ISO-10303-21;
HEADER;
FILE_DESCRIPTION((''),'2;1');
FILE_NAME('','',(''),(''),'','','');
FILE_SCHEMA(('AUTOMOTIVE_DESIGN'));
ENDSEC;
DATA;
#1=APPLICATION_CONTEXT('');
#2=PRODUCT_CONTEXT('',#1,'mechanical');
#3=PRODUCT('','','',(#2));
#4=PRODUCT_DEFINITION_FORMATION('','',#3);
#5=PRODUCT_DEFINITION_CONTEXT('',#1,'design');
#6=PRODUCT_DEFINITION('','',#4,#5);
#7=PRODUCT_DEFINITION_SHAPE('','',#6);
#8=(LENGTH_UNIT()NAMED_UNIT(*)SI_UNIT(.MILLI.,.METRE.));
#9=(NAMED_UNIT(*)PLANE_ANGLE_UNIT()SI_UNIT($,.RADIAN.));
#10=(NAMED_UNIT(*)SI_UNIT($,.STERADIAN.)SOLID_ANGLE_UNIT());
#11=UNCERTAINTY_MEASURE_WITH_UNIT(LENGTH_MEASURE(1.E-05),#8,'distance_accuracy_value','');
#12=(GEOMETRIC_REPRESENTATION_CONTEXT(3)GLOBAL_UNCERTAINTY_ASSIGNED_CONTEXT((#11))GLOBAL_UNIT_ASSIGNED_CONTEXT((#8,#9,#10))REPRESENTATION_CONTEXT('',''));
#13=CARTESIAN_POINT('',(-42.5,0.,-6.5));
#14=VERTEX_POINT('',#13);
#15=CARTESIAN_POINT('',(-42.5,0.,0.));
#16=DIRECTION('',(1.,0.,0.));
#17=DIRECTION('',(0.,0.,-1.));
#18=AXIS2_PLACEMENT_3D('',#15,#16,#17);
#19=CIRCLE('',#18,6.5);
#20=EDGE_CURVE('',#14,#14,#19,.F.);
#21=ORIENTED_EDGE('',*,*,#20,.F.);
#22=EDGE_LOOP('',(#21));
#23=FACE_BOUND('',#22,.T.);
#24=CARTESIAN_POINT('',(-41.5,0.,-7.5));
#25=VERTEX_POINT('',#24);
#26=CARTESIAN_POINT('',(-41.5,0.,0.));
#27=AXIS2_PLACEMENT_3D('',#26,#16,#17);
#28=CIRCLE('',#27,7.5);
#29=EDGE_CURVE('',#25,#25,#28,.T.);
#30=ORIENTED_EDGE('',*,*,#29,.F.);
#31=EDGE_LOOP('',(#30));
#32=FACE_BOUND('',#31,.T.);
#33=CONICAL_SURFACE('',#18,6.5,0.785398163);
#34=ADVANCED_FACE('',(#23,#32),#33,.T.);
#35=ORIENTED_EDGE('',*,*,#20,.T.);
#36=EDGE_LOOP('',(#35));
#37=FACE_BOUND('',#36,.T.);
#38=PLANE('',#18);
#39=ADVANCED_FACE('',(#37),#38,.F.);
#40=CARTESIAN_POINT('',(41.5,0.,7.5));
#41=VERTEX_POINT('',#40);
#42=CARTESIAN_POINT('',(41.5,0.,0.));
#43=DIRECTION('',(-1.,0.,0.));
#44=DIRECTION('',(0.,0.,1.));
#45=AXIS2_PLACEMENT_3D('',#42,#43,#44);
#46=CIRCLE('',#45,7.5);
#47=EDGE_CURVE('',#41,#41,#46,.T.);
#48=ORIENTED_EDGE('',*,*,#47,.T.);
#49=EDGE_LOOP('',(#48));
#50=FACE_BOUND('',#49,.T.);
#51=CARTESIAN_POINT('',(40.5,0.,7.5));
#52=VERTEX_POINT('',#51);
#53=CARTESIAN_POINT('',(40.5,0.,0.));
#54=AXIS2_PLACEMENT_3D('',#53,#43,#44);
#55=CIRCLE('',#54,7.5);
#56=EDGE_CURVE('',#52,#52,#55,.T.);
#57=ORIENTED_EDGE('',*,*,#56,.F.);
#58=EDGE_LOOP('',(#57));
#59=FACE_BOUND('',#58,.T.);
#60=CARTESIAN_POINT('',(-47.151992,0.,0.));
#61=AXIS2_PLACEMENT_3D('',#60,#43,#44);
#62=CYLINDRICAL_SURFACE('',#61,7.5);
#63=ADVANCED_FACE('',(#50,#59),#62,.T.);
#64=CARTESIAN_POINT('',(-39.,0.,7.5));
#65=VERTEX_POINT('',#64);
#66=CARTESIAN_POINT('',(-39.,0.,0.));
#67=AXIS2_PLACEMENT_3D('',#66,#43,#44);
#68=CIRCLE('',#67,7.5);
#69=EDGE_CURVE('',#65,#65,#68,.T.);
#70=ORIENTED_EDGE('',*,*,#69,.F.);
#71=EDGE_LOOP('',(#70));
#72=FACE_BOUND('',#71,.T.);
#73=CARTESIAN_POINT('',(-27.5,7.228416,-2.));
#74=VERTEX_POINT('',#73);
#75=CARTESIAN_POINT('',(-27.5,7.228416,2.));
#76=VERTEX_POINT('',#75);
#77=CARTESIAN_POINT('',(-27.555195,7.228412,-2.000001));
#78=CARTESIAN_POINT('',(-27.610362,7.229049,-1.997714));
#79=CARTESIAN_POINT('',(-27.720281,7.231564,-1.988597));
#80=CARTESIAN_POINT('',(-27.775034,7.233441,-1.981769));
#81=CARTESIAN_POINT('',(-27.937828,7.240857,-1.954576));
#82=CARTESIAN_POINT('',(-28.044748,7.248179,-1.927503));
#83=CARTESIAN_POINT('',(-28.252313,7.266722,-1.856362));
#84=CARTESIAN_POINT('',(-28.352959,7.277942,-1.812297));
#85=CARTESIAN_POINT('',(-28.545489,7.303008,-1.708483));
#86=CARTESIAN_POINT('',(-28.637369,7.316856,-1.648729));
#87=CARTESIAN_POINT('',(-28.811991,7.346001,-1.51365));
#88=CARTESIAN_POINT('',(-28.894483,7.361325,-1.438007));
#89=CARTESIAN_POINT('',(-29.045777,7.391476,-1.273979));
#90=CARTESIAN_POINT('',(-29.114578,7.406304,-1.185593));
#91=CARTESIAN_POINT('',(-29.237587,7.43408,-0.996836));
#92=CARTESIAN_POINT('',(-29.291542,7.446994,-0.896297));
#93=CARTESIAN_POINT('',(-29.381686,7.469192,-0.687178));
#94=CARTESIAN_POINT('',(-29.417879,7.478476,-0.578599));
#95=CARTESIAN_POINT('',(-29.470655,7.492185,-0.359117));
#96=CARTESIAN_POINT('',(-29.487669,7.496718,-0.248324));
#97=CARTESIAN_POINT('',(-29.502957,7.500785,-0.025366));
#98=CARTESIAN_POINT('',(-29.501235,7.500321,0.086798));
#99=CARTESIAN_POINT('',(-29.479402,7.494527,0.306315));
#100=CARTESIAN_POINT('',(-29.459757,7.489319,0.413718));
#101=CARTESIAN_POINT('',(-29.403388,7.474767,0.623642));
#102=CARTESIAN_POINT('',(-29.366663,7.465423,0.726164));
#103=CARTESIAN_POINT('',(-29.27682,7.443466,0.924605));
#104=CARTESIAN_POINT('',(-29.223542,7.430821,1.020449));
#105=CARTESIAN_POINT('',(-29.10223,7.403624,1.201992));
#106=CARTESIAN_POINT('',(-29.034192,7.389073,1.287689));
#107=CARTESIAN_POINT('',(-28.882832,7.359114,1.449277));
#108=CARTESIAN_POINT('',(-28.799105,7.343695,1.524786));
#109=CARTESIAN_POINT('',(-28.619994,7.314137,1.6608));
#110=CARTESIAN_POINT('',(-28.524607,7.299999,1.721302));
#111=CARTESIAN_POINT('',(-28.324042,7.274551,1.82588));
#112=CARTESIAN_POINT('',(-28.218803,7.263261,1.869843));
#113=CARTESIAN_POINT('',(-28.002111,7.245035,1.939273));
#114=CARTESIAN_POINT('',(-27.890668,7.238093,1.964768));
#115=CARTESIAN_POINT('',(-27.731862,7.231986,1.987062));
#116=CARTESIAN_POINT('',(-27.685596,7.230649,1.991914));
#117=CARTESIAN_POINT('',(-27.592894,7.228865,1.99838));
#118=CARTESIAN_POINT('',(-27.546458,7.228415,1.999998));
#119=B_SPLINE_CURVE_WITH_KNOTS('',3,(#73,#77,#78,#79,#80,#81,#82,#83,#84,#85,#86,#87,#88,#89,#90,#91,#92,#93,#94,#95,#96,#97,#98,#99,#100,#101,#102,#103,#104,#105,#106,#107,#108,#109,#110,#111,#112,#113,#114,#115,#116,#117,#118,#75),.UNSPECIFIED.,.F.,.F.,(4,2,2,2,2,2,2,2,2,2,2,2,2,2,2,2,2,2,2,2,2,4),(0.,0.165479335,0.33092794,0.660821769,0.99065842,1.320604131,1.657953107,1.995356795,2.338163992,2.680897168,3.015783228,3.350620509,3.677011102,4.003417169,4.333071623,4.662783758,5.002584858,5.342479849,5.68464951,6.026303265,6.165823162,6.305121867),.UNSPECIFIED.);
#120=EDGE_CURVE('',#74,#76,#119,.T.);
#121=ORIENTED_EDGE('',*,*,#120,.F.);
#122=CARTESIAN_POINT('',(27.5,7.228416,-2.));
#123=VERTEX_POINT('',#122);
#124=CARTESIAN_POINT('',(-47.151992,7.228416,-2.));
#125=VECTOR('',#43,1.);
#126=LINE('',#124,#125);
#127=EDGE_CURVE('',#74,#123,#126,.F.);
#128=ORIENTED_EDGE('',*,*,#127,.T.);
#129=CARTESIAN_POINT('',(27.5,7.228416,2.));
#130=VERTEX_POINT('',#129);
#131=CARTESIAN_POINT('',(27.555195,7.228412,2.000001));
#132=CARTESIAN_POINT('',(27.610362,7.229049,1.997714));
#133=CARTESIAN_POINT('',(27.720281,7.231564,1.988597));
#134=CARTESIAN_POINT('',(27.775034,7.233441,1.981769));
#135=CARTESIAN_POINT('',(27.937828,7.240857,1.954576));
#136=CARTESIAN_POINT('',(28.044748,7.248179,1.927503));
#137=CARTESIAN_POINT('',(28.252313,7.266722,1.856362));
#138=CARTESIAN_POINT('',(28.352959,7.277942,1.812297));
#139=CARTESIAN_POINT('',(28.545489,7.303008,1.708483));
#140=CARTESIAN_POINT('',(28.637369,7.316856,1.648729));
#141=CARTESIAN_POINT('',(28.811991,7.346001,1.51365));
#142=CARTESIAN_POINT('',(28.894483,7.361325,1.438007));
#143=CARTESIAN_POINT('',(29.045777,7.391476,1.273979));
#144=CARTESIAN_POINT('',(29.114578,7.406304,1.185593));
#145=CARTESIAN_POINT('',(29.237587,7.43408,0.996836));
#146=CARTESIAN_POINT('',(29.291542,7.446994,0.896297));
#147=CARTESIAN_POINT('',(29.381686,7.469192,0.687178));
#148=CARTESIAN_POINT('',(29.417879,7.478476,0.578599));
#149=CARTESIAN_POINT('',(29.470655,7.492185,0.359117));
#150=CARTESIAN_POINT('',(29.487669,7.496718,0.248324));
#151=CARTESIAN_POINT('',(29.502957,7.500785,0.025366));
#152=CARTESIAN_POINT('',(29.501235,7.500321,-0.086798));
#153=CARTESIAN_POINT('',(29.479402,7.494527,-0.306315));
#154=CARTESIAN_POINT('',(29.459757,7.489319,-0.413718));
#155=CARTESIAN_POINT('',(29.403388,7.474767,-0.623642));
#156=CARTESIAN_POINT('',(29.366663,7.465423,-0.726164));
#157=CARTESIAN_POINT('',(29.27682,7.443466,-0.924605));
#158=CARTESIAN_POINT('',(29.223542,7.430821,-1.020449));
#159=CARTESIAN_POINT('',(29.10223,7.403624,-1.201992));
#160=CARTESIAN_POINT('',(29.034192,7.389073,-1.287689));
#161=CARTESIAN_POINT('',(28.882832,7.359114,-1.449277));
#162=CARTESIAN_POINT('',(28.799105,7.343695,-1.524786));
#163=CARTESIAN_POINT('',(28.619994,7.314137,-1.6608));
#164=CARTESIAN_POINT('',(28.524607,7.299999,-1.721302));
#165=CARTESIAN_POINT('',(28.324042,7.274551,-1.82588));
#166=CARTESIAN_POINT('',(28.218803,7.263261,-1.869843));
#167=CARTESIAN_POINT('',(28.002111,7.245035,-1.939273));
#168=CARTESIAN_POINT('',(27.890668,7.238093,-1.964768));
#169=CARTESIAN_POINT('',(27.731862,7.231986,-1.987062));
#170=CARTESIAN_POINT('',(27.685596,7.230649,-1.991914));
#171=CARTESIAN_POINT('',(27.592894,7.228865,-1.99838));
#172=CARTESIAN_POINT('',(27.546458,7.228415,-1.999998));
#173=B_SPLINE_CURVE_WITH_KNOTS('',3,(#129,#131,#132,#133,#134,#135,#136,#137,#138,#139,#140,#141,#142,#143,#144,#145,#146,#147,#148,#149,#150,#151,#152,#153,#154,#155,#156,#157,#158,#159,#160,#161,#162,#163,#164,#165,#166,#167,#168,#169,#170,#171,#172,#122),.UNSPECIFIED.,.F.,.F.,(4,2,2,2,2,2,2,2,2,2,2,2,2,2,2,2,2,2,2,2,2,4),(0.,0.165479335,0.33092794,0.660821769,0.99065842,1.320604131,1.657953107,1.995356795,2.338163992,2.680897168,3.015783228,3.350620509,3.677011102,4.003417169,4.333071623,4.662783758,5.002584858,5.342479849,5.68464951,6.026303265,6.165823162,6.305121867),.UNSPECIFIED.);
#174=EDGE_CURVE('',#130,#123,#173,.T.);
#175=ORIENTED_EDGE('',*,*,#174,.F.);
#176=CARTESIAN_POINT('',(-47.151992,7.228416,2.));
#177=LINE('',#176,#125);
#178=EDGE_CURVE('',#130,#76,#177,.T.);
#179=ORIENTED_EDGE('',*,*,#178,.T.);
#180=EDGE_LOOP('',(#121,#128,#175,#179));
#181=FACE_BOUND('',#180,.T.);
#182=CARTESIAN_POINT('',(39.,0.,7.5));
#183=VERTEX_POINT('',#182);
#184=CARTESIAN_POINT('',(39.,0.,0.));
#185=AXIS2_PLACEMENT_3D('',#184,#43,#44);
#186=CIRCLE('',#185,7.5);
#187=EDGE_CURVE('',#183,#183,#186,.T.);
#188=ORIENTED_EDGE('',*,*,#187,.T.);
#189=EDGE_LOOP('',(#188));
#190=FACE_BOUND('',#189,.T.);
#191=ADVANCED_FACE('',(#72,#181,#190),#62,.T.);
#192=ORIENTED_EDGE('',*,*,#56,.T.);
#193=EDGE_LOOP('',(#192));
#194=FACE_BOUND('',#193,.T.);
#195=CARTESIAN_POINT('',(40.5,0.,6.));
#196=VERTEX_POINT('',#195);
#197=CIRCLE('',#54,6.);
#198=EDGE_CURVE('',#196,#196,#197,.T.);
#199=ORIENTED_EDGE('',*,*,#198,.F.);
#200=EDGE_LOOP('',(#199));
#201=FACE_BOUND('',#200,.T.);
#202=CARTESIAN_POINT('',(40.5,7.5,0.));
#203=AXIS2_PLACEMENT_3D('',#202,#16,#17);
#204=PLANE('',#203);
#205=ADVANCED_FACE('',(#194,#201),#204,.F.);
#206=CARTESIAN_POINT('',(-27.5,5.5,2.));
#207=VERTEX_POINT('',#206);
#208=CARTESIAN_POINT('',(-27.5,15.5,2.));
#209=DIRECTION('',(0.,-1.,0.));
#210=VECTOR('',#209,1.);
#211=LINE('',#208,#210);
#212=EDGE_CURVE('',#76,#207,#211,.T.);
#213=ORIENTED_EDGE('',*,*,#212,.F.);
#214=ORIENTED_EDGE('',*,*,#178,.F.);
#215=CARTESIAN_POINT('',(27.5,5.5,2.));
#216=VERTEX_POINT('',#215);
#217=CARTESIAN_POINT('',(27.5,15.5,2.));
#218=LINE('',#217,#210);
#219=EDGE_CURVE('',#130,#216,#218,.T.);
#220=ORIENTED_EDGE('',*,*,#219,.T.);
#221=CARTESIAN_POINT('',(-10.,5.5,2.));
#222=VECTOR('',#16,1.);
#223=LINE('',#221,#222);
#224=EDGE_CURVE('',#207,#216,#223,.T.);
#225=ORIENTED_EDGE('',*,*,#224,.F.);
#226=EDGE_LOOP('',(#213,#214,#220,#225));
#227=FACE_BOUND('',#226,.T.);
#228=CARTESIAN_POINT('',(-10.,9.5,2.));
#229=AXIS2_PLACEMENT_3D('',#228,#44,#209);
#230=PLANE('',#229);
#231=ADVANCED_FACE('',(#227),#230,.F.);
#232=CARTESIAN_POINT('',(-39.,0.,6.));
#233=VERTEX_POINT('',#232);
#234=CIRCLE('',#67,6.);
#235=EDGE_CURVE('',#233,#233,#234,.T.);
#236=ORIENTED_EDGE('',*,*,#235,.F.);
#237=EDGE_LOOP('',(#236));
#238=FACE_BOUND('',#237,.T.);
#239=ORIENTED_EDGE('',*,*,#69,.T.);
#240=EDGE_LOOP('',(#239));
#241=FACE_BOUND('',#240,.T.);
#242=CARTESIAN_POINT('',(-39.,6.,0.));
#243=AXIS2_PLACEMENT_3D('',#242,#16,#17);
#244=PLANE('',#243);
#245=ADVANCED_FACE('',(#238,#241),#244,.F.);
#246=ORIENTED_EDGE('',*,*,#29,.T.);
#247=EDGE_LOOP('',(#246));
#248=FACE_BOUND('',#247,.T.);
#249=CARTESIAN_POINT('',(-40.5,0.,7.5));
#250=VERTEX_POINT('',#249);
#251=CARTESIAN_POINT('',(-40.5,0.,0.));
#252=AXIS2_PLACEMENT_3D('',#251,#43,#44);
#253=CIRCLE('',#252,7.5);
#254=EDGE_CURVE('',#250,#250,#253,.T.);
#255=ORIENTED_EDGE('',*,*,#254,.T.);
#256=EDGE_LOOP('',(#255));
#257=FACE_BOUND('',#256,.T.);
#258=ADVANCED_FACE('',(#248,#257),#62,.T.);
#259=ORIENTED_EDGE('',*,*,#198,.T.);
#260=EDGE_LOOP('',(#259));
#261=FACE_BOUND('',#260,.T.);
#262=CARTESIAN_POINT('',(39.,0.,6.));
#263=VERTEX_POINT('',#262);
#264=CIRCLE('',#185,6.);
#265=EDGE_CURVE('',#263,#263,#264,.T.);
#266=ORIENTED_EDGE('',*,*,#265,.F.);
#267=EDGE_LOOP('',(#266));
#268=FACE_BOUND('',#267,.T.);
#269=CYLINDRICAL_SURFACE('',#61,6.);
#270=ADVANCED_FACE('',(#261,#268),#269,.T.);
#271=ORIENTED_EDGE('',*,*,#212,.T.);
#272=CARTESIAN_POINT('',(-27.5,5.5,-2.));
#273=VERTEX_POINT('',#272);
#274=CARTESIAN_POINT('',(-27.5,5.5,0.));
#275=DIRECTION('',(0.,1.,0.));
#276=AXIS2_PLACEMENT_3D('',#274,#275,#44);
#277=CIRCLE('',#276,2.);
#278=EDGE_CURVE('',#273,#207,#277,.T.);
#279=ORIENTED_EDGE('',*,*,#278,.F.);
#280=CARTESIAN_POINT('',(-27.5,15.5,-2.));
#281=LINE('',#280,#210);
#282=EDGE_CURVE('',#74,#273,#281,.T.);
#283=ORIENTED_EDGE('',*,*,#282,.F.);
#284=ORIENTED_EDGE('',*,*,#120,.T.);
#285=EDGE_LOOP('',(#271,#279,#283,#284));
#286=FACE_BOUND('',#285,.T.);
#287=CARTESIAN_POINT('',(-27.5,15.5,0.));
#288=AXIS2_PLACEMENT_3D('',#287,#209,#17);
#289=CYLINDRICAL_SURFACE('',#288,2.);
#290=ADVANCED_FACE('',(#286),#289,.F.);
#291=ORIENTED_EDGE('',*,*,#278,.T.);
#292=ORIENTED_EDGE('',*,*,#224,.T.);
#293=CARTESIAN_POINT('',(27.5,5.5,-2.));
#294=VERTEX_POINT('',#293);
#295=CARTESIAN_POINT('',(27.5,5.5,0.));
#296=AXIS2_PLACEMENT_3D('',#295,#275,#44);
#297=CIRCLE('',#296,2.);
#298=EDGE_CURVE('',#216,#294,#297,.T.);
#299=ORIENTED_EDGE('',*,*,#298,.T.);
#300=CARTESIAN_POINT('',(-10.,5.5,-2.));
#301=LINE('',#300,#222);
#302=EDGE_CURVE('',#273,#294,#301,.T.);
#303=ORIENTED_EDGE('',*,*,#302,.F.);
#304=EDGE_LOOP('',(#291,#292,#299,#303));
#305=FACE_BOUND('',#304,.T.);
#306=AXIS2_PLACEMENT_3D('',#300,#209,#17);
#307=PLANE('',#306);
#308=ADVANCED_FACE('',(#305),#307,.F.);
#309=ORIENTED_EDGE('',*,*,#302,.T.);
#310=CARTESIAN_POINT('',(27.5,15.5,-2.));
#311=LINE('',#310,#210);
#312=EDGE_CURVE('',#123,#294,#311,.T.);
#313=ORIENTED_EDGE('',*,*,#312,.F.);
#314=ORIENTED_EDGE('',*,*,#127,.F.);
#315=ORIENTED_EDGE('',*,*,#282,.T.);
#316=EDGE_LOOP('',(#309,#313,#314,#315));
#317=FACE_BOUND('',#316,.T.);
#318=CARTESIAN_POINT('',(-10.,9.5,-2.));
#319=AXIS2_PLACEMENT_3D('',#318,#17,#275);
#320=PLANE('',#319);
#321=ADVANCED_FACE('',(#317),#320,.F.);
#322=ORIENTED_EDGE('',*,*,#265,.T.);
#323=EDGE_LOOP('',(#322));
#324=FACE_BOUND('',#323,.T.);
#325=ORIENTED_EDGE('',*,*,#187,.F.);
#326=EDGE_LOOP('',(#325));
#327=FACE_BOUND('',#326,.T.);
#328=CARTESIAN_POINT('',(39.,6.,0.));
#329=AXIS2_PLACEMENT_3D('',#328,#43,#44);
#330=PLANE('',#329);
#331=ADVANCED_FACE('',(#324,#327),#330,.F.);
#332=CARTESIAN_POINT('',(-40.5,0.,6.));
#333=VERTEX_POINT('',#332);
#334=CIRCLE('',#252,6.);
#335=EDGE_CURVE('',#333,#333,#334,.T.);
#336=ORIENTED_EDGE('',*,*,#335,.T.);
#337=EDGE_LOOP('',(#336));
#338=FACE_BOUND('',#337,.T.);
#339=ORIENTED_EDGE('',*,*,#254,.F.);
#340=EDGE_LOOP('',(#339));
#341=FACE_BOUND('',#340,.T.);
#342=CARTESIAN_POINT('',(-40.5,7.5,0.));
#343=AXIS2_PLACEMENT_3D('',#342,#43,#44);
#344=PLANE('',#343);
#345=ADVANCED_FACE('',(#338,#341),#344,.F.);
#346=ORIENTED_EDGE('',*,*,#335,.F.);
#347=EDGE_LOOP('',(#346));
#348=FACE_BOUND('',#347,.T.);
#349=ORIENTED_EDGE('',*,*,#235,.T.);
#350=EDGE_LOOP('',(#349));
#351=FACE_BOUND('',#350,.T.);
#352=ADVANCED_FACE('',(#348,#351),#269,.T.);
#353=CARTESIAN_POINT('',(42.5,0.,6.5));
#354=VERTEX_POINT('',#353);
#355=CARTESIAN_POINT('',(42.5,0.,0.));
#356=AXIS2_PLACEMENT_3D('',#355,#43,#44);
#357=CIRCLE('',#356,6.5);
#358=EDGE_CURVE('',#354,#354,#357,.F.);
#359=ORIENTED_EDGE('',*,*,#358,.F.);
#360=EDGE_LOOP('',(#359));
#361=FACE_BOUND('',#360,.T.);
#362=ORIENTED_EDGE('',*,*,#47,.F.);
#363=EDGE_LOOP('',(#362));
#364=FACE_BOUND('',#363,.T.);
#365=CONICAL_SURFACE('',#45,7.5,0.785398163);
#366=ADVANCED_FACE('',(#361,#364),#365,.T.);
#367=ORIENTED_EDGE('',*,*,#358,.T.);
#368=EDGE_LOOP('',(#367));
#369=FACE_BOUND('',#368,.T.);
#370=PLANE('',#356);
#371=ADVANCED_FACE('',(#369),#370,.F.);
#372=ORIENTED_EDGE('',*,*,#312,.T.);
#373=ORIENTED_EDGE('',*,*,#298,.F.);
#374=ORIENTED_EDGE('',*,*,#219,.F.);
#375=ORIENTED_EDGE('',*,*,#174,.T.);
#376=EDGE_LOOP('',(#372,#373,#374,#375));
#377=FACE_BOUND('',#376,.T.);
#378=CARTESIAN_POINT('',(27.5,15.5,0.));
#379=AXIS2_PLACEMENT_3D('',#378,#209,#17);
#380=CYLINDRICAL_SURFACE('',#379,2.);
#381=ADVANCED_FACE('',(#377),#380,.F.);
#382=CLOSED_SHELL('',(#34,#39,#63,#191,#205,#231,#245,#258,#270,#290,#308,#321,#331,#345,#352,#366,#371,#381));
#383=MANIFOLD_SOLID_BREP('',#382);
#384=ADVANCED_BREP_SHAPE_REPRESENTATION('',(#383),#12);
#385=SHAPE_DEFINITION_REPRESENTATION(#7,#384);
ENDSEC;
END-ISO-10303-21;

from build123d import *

# Parameters (mm, degrees)
CHAMFER1_SIZE      = 1
SKETCH3_W          = 4
SKETCH3_H          = 4
CUT_EXTRUDE1_DEPTH = 10
CUT_EXTRUDE2_DEPTH = 10


with BuildPart() as part:
    # Sketch1 → Revolve1 (revolve)
    with BuildSketch(Plane.XY, mode=Mode.PRIVATE) as revolve1_sk:
        Polygon((-42.5, 0), (-42.5, 7.5), (-40.5, 7.5), (-40.5, 6), (-39, 6), (-39, 7.5), (39, 7.5), (39, 6), (40.5, 6), (40.5, 7.5), (42.5, 7.5), (42.5, 0), align=None)
    revolve(revolve1_sk.sketch.rotate(Axis((-47.151991765, 0, 0), (1, 0, 0)), 90), axis=Axis((-47.151991765, 0, 0), (1, 0, 0)))

    # Chamfer1
    chamfer1_edges = [part.edges().sort_by_distance(p)[0] for p in [
        (42.5, 0, -7.5),
        (-42.5, 0, -7.5),
    ]]
    chamfer(chamfer1_edges, length=CHAMFER1_SIZE)

    # Sketch3 → Cut-Extrude1 (cut)
    with BuildSketch(Plane(origin=(0, 0, 0), x_dir=(0, 0, -1), z_dir=(1, 0, 0))):
        with Locations((0, 7.5)):
            Rectangle(SKETCH3_W, SKETCH3_H)
    extrude(amount=-CUT_EXTRUDE1_DEPTH, mode=Mode.SUBTRACT)

    # Sketch4 → Cut-Extrude2 (cut)
    with BuildSketch(Plane(origin=(0, 5.5, 0), x_dir=(1, 0, 0), z_dir=(0, 1, 0))):
        with BuildLine():
            Line((27.5, -2), (-27.5, -2))
            ThreePointArc((-27.5, -2), (-29.5, 0), (-27.5, 2))
            Line((-27.5, 2), (27.5, 2))
            ThreePointArc((27.5, 2), (29.5, 0), (27.5, -2))
        make_face()
    extrude(amount=CUT_EXTRUDE2_DEPTH, mode=Mode.SUBTRACT)


solid = part.part
